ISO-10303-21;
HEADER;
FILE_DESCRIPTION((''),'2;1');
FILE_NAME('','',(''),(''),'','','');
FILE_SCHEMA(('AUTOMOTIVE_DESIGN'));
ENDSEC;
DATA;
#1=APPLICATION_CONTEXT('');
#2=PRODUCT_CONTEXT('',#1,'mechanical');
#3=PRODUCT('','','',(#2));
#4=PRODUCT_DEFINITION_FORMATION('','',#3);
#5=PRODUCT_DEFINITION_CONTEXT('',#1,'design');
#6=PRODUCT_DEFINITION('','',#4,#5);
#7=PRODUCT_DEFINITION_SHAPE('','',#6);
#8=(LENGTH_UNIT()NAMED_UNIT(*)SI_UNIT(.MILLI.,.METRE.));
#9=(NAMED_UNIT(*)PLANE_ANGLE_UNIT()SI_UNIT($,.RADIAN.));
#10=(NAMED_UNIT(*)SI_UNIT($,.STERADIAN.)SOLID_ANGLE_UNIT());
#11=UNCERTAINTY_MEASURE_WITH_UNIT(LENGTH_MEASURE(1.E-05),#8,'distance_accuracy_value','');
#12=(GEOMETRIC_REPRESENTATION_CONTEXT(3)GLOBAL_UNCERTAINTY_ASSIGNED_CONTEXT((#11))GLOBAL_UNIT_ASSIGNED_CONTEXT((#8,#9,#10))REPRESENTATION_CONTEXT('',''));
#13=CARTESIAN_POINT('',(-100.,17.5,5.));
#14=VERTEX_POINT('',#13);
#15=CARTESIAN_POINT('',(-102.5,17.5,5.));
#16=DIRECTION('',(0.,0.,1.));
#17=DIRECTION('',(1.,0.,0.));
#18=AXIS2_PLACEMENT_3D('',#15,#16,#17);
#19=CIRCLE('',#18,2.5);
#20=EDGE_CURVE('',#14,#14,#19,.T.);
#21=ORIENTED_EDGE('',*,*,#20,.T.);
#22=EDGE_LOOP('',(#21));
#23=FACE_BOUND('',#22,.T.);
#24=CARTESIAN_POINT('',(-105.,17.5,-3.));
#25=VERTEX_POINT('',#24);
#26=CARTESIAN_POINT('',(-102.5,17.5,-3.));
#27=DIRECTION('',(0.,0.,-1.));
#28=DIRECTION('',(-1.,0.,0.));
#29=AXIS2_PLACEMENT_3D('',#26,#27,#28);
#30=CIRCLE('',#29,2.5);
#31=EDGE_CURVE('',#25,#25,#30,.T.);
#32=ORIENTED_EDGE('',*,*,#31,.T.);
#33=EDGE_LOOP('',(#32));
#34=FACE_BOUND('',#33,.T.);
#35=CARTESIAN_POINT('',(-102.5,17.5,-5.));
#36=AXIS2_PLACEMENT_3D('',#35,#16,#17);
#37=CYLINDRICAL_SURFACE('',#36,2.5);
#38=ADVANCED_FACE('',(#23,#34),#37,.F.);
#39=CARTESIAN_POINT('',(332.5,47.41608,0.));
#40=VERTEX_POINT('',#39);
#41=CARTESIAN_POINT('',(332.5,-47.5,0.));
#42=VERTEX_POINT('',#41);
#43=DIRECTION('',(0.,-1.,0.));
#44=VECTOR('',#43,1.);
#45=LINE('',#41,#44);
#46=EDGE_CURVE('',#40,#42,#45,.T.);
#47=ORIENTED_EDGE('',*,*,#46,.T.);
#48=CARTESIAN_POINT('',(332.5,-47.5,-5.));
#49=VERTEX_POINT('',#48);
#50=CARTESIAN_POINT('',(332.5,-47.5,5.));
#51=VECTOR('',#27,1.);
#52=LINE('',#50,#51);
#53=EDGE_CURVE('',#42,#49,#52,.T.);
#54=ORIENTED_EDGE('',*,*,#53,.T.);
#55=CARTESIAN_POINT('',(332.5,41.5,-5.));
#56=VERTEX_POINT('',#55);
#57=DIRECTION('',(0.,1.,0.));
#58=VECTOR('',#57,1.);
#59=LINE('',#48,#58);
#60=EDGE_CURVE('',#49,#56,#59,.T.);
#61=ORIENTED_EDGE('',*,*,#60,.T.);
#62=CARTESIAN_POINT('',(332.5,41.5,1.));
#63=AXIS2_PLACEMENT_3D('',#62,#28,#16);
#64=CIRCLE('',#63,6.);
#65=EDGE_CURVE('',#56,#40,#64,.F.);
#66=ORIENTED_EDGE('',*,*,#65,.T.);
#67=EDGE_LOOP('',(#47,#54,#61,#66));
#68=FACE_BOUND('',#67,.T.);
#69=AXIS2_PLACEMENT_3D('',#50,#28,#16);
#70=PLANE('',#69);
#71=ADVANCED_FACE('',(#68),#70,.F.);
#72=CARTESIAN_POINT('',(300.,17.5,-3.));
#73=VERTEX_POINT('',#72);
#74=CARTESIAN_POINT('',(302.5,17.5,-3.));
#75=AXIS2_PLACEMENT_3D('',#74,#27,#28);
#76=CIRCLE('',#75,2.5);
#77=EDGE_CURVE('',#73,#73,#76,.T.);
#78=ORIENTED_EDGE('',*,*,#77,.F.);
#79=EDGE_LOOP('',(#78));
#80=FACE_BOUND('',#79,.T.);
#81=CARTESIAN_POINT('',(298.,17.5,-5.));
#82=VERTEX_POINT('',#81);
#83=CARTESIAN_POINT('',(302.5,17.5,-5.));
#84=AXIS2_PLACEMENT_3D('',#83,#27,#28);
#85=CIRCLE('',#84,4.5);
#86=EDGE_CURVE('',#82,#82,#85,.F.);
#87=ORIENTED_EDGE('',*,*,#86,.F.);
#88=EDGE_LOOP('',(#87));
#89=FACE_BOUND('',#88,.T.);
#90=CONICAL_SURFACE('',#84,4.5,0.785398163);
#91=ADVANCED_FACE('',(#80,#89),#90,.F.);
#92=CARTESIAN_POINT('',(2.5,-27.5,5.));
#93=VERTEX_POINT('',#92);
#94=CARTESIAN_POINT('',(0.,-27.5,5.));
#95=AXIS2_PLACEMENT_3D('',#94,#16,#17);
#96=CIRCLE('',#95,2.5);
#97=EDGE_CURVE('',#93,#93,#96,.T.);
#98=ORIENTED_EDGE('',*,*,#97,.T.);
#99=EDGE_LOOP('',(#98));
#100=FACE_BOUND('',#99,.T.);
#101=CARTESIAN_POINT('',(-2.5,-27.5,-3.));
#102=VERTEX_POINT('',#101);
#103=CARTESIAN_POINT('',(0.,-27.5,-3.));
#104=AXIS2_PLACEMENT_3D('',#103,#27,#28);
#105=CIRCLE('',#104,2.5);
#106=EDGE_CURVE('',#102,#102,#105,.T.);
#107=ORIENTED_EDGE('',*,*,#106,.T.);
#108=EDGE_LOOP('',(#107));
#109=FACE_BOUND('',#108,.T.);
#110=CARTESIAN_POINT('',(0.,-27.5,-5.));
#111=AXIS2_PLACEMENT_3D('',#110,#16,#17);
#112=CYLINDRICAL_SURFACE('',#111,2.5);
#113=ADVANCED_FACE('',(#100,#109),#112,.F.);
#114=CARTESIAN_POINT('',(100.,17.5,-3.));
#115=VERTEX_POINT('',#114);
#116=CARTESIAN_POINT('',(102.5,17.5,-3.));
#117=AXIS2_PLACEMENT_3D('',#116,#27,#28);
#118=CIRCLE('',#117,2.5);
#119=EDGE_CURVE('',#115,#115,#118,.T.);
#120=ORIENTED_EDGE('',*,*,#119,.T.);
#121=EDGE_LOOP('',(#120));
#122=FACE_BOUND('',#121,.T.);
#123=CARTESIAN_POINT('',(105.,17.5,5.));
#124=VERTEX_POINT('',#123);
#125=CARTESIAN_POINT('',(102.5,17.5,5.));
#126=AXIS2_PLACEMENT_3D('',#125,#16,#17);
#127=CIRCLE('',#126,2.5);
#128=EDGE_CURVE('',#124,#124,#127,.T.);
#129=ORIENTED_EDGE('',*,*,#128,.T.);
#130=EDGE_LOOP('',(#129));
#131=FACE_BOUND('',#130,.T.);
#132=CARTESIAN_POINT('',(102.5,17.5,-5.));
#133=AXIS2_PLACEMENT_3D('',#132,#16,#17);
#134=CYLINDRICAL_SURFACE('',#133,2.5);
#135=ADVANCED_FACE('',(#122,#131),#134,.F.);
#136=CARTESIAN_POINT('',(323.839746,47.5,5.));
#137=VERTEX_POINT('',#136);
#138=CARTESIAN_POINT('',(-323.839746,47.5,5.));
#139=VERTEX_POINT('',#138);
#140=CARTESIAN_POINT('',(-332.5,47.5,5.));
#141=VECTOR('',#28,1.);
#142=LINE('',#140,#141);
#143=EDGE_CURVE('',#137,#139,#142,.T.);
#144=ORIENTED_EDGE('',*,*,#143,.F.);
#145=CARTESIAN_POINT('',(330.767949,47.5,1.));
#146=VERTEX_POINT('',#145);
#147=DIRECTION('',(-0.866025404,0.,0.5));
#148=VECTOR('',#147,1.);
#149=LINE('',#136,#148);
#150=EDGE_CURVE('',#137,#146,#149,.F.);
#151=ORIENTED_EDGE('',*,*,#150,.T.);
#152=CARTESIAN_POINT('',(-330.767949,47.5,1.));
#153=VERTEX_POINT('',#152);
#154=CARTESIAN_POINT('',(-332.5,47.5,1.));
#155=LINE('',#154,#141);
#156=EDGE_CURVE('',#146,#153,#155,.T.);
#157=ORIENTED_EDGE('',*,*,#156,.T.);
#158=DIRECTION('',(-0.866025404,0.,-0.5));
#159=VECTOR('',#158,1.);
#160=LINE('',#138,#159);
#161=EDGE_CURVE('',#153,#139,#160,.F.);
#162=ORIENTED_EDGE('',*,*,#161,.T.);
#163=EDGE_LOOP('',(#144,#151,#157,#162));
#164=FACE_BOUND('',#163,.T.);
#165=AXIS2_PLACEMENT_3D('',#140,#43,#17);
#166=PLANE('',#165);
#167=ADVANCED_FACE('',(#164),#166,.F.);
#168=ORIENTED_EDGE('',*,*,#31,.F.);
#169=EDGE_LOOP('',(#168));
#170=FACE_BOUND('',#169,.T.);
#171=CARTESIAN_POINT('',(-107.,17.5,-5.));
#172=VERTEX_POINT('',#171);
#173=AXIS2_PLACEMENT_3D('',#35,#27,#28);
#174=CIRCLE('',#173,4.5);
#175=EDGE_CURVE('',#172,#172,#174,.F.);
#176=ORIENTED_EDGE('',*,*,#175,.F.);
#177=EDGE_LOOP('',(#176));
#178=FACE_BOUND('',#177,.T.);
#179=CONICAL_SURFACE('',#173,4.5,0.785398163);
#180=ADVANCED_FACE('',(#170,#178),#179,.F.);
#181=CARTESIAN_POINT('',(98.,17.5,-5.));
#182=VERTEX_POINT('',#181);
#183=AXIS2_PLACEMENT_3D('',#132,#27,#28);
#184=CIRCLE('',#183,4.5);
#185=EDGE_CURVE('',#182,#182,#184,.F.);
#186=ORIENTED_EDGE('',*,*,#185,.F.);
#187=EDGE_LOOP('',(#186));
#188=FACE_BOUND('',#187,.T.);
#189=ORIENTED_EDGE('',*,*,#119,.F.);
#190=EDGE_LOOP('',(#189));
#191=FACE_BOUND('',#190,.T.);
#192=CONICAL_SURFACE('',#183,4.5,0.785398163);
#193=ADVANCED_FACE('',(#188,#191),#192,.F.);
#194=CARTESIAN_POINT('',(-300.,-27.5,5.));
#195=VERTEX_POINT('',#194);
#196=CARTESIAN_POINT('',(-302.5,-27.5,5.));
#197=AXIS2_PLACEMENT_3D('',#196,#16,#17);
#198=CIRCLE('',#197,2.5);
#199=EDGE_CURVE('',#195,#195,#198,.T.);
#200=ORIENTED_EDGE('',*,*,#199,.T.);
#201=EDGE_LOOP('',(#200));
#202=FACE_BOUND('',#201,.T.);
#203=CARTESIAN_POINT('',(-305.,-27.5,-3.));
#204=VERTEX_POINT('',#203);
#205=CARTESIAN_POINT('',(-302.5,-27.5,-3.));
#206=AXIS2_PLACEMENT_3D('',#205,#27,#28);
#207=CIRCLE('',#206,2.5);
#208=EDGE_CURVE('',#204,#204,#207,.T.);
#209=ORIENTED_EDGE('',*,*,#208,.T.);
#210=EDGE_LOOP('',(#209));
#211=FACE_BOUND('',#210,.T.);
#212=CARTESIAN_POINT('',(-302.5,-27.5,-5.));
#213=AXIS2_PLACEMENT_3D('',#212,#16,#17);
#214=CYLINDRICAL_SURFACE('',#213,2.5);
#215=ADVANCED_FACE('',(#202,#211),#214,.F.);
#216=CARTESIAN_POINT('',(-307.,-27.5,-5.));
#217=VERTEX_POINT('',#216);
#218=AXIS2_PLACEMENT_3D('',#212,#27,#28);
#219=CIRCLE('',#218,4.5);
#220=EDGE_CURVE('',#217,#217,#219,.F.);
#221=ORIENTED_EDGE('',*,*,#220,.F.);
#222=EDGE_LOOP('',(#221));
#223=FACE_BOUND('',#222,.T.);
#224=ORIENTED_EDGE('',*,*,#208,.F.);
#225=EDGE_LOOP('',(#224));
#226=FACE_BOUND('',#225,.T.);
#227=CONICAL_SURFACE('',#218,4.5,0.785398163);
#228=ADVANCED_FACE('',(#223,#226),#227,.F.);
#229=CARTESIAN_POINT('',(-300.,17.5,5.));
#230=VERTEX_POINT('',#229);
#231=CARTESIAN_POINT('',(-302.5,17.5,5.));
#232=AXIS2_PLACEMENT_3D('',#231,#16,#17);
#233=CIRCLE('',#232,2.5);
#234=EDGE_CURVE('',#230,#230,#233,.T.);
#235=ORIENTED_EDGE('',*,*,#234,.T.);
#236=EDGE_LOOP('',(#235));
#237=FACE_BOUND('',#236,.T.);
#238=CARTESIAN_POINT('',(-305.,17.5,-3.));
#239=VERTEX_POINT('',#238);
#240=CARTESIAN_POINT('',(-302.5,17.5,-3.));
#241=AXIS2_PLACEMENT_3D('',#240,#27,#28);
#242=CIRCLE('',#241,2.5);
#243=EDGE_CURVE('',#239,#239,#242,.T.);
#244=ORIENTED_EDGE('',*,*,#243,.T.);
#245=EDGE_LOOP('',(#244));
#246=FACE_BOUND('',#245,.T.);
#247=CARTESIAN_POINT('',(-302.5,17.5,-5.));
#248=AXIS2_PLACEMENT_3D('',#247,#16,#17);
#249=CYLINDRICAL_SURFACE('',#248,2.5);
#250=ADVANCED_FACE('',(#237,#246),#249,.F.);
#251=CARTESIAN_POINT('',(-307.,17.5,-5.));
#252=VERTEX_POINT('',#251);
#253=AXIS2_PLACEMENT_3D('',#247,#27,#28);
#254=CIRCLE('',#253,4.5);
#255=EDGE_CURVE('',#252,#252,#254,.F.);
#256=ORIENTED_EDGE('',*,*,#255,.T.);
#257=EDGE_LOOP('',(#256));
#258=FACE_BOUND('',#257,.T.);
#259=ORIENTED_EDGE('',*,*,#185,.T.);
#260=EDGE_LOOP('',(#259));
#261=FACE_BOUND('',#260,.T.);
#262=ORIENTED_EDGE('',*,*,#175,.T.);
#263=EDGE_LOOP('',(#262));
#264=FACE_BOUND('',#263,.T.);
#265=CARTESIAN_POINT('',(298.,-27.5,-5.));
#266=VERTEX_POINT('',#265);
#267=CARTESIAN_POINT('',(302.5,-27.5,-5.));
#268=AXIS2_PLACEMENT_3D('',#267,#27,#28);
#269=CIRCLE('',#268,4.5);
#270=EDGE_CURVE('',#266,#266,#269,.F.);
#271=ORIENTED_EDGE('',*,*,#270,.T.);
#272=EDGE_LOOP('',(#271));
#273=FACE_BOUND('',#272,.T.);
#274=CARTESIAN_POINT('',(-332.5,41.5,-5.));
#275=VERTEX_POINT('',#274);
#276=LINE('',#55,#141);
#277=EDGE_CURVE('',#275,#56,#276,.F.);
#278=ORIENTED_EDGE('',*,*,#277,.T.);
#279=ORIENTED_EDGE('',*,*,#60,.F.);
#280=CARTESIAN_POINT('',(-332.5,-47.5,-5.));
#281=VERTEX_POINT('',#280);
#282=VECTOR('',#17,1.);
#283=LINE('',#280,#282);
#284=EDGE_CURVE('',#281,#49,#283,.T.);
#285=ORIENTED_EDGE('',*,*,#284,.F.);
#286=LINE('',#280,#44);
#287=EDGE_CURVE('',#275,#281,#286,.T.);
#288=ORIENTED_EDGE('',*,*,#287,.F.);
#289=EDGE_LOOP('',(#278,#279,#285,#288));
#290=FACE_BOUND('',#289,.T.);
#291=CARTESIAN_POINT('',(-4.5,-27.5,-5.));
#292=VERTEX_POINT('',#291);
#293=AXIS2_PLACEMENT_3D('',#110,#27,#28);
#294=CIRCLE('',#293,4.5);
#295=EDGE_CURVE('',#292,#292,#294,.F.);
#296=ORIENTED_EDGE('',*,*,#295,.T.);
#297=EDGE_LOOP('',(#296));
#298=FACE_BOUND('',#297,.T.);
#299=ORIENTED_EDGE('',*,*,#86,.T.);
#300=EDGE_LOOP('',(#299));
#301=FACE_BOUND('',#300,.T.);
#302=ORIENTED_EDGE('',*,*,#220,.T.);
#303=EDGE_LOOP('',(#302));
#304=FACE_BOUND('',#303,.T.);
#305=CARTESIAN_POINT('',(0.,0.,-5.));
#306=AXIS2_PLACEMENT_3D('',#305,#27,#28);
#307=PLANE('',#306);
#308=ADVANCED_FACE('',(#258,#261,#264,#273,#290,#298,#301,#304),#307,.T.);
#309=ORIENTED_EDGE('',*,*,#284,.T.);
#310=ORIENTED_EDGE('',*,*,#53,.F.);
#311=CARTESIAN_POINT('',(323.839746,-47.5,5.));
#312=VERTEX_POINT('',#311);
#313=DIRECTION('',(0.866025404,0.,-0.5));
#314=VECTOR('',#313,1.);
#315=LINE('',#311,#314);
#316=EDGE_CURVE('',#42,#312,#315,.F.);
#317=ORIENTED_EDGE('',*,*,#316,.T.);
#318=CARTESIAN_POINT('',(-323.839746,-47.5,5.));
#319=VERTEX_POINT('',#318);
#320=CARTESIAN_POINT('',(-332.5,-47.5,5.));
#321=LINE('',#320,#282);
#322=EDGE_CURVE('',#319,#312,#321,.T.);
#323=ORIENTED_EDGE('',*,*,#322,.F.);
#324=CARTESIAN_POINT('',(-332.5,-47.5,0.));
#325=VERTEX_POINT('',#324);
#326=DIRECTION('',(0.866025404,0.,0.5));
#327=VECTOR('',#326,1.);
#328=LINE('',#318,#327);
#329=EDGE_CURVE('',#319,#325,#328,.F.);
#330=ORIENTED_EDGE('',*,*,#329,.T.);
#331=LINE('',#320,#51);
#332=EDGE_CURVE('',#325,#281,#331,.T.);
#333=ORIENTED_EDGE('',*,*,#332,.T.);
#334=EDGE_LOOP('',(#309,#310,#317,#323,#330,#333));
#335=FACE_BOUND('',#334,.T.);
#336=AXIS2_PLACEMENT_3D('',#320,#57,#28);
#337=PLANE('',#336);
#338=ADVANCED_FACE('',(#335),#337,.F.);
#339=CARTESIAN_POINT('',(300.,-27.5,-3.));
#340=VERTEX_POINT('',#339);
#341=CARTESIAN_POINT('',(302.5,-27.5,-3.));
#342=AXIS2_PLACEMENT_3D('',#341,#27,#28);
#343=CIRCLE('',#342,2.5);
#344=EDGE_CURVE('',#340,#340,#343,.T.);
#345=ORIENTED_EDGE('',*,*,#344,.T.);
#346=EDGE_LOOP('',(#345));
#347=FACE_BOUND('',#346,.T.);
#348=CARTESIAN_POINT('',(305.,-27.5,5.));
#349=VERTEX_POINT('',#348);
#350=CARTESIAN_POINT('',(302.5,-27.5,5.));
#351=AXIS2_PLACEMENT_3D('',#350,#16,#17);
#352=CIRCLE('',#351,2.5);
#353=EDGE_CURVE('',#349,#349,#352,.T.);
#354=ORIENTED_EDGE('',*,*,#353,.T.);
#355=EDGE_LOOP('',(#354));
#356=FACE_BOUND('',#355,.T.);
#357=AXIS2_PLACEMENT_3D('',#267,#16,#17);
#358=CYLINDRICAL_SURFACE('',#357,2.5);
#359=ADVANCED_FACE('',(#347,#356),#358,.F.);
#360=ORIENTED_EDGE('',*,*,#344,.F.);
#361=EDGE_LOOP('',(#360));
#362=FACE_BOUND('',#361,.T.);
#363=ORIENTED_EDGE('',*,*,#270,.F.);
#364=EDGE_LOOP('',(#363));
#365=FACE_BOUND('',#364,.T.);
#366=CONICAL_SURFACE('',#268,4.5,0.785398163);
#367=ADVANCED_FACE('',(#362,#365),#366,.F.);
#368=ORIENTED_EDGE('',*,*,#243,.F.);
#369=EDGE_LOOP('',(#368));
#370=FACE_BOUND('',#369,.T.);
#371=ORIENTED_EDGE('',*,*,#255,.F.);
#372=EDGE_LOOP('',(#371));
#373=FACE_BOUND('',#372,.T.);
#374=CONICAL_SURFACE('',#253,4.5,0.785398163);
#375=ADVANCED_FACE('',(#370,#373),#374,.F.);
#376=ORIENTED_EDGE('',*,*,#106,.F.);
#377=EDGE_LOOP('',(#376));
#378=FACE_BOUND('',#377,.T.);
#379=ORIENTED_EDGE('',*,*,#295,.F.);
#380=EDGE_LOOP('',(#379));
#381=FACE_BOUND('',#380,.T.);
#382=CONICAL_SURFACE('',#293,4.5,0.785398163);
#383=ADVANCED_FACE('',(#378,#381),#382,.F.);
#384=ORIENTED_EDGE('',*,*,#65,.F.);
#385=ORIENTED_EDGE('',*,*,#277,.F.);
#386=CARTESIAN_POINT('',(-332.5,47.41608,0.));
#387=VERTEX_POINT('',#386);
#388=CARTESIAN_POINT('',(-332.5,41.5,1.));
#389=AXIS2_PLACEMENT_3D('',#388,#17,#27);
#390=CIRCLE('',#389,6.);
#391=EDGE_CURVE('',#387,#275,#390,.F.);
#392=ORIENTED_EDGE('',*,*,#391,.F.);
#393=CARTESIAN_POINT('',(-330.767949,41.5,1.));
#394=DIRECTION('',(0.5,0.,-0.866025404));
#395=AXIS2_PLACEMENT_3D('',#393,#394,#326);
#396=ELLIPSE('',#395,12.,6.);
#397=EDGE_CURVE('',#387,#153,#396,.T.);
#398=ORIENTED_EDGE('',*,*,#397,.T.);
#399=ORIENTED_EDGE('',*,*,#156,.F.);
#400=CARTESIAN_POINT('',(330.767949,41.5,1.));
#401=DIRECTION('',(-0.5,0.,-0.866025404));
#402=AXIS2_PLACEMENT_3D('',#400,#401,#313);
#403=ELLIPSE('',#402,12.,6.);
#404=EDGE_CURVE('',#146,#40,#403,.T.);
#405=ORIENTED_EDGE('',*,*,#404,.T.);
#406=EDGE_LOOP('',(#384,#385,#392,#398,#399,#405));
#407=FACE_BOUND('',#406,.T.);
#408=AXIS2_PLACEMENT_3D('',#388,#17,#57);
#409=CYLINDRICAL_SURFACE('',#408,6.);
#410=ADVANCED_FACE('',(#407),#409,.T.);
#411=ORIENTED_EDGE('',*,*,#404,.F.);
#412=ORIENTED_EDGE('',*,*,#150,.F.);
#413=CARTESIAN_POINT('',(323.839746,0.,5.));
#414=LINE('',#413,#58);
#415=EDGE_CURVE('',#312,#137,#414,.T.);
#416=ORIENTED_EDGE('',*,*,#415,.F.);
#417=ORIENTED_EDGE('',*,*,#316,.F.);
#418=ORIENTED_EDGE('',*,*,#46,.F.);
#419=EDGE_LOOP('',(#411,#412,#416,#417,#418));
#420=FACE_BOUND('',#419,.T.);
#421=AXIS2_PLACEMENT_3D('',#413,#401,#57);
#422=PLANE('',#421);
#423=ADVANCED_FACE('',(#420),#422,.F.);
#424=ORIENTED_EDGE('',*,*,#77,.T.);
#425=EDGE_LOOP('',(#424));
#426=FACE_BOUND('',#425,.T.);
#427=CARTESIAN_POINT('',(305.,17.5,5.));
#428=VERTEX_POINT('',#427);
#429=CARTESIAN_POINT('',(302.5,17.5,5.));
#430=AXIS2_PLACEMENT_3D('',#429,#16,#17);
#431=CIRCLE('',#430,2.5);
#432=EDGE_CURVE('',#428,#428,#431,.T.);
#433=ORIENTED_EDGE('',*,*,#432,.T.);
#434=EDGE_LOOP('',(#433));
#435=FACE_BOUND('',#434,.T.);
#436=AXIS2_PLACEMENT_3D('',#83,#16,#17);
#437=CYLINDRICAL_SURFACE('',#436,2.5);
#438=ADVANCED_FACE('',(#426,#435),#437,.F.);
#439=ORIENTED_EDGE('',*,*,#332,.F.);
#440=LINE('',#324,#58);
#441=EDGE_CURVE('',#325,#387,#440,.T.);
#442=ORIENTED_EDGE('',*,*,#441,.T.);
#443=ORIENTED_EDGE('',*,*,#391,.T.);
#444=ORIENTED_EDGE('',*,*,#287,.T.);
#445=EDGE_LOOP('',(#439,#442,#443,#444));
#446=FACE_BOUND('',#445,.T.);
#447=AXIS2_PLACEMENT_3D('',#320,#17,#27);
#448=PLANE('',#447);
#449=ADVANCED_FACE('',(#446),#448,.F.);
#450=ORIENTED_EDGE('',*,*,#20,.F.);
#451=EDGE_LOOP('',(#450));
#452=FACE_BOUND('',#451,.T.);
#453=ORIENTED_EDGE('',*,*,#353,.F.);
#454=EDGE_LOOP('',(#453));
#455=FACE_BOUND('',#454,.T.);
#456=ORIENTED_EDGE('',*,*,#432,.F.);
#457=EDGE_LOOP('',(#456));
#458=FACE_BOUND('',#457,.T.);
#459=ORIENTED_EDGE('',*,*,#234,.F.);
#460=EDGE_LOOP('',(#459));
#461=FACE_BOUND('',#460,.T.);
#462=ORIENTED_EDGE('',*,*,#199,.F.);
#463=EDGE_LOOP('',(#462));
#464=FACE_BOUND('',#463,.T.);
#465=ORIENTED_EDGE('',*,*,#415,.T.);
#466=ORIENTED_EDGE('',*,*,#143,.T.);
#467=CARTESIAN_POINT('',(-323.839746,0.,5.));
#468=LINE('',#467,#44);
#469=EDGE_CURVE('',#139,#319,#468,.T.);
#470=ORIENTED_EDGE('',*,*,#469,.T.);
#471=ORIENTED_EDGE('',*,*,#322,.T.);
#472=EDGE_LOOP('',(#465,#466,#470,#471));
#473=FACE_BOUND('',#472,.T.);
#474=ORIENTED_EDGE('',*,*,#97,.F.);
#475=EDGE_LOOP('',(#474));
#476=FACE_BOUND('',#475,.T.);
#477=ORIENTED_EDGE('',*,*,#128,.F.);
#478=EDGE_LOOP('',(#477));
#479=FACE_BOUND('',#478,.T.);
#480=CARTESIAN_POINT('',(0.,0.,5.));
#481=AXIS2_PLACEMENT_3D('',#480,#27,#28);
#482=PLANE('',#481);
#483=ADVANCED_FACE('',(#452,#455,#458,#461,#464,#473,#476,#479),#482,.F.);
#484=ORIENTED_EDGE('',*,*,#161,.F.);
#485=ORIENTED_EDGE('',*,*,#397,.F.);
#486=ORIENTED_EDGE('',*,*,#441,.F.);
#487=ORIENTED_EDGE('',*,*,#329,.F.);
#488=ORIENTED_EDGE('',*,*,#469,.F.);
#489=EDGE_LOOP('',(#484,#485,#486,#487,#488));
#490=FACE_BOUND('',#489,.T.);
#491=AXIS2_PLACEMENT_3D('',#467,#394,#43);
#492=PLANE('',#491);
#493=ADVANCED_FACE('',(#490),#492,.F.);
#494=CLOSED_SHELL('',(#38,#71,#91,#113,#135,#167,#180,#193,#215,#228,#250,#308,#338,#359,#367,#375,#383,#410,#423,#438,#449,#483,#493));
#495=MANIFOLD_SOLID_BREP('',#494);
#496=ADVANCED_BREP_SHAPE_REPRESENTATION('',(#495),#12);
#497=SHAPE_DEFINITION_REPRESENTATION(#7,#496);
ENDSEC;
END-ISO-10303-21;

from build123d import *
from OCP.BRepFilletAPI import BRepFilletAPI_MakeChamfer

# Parameters (mm, degrees)
SKETCH_1_W          = 665
SKETCH_1_H          = 95
EXTRUDE_1_DEPTH     = 5
FILLET_1_R          = 6
CHAMFER_1_SIZE      = 5
CHAMFER_1_SIZE2     = 8.660254038
SKETCH_3_R          = 2.5
CUT_EXTRUDE_1_DEPTH = 337.024552674
CHAMFER_2_SIZE      = 2


with BuildPart() as part:
    # Эскиз1 → Бобышка-Вытянуть1 (new, symmetric)
    with BuildSketch(Plane.XY):
        Rectangle(SKETCH_1_W, SKETCH_1_H)
    extrude(amount=EXTRUDE_1_DEPTH, both=True)

    # Скругление1
    fillet_1_edges = [part.edges().sort_by_distance(p)[0] for p in [
        (0, 47.5, -5),
    ]]
    fillet(fillet_1_edges, radius=FILLET_1_R)

    # Фаска1: one chamfer whose edges measure the first distance from different faces: ONE call of the kernel's chamfer builder (chamfer() names one face for all edges)
    chamfer_1_edges_1 = [part.edges().sort_by_distance(p)[0] for p in [
        (332.5, 0, 5),
    ]]
    chamfer_1_side_1 = [part.faces().sort_by_distance(p)[0] for p in [
        (332.5, -0.378462122, 0.030006478),
    ]]
    chamfer_1_edges_2 = [part.edges().sort_by_distance(p)[0] for p in [
        (-332.5, 0, 5),
    ]]
    chamfer_1_side_2 = [part.faces().sort_by_distance(p)[0] for p in [
        (-332.5, -0.378462122, 0.030006478),
    ]]
    chamfer_1 = BRepFilletAPI_MakeChamfer(part.part.solid().wrapped)
    for e in chamfer_1_edges_1:
        chamfer_1.Add(CHAMFER_1_SIZE, CHAMFER_1_SIZE2, e.wrapped, chamfer_1_side_1[0].wrapped)  # the first distance lies on this face
    for e in chamfer_1_edges_2:
        chamfer_1.Add(CHAMFER_1_SIZE, CHAMFER_1_SIZE2, e.wrapped, chamfer_1_side_2[0].wrapped)  # the first distance lies on this face
    add(Compound.cast(chamfer_1.Shape()), mode=Mode.REPLACE)

    # Эскиз3 → Вырез-Вытянуть1 (cut, through all)
    with BuildSketch(Plane.XY.offset(5)):
        with Locations((-302.5, -27.5)):
            Circle(SKETCH_3_R)
        with Locations((0, -27.5)):
            Circle(SKETCH_3_R)
        with Locations((302.5, -27.5)):
            Circle(SKETCH_3_R)
        with Locations((-302.5, 17.5)):
            Circle(SKETCH_3_R)
        with Locations((302.5, 17.5)):
            Circle(SKETCH_3_R)
        with Locations((-102.5, 17.5)):
            Circle(SKETCH_3_R)
        with Locations((102.5, 17.5)):
            Circle(SKETCH_3_R)
    extrude(amount=-CUT_EXTRUDE_1_DEPTH, mode=Mode.SUBTRACT)

    # Фаска2
    chamfer_2_edges = [part.edges().sort_by_distance(p)[0] for p in [
        (-2.5, -27.5, -5),
        (300, -27.5, -5),
        (-305, 17.5, -5),
        (300, 17.5, -5),
        (-105, 17.5, -5),
        (100, 17.5, -5),
        (-305, -27.5, -5),
    ]]
    chamfer(chamfer_2_edges, length=CHAMFER_2_SIZE)


solid = part.part
